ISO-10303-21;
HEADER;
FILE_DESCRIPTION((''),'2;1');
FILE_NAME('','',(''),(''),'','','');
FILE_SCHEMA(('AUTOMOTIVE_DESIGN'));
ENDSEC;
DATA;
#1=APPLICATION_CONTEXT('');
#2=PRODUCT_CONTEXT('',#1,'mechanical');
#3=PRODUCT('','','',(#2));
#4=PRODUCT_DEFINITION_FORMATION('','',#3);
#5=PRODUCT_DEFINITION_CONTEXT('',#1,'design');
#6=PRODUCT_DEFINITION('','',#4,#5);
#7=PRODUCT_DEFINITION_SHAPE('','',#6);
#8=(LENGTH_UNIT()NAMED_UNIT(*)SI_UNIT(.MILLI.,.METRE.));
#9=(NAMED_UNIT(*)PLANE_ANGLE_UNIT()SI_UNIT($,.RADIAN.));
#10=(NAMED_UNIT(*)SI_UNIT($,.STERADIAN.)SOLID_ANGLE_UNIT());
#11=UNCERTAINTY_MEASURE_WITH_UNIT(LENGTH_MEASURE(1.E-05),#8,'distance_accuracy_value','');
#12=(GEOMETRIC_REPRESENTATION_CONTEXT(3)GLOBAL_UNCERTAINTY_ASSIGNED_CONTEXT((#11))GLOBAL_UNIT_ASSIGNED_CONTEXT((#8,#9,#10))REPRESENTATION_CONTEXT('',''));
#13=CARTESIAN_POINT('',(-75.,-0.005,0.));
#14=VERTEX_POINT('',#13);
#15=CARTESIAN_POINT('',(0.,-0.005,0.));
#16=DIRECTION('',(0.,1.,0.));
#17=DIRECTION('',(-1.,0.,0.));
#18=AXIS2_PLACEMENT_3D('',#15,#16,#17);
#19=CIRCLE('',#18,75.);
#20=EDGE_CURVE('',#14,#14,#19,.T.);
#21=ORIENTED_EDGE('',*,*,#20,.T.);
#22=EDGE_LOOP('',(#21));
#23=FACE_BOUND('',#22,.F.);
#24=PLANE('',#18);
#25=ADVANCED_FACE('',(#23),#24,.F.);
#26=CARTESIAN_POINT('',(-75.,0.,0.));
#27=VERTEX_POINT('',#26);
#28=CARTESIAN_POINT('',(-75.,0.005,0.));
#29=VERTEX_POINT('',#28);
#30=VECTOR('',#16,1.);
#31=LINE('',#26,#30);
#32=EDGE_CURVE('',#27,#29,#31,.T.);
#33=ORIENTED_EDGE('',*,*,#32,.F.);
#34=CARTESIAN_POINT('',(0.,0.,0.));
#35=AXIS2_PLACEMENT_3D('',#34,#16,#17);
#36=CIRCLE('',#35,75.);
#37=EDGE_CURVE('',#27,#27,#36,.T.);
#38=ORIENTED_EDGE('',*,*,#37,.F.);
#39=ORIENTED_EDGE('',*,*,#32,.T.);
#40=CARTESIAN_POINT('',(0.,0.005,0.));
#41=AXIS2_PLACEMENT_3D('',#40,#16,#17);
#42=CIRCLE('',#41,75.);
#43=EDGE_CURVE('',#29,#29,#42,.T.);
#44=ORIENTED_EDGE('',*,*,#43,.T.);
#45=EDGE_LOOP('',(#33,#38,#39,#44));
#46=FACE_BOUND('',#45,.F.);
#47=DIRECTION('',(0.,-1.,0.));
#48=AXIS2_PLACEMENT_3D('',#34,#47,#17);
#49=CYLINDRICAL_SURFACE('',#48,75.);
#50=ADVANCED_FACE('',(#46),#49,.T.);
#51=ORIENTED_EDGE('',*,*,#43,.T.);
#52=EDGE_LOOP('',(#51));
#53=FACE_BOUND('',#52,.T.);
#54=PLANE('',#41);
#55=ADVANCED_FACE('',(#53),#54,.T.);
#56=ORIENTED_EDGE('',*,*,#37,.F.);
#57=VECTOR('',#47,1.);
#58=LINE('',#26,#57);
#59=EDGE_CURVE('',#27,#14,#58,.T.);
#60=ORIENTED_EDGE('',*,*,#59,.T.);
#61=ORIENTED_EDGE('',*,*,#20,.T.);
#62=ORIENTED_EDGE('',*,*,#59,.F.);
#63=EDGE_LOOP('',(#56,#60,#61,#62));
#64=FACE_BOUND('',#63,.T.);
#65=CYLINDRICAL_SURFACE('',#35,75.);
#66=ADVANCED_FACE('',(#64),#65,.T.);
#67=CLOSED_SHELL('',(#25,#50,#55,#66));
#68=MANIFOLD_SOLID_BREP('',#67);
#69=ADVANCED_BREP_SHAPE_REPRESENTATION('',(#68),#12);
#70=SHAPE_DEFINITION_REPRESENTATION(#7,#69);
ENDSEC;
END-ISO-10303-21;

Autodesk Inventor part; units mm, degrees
ref_plane "YZ Plane" through (0, 0, 0) normal (1, 0, 0) x (0, 1, 0)
ref_plane "XZ Plane" through (0, 0, 0) normal (0, 1, 0) x (-1, 0, 0)
ref_plane "XY Plane" through (0, 0, 0) normal (0, 0, 1) x (1, 0, 0)
sketch "Sketch1" plane through (0, 0, 0) normal (0, 1, 0) x (-1, 0, 0)
  circle A0 centre (0, 0) radius 75
  dimension "d0" = 150
extrude "Extrusion1" add sketch "Sketch1" along normal mid plane 0.01
properties part number "Circle_Velostat" material "Rubber"
